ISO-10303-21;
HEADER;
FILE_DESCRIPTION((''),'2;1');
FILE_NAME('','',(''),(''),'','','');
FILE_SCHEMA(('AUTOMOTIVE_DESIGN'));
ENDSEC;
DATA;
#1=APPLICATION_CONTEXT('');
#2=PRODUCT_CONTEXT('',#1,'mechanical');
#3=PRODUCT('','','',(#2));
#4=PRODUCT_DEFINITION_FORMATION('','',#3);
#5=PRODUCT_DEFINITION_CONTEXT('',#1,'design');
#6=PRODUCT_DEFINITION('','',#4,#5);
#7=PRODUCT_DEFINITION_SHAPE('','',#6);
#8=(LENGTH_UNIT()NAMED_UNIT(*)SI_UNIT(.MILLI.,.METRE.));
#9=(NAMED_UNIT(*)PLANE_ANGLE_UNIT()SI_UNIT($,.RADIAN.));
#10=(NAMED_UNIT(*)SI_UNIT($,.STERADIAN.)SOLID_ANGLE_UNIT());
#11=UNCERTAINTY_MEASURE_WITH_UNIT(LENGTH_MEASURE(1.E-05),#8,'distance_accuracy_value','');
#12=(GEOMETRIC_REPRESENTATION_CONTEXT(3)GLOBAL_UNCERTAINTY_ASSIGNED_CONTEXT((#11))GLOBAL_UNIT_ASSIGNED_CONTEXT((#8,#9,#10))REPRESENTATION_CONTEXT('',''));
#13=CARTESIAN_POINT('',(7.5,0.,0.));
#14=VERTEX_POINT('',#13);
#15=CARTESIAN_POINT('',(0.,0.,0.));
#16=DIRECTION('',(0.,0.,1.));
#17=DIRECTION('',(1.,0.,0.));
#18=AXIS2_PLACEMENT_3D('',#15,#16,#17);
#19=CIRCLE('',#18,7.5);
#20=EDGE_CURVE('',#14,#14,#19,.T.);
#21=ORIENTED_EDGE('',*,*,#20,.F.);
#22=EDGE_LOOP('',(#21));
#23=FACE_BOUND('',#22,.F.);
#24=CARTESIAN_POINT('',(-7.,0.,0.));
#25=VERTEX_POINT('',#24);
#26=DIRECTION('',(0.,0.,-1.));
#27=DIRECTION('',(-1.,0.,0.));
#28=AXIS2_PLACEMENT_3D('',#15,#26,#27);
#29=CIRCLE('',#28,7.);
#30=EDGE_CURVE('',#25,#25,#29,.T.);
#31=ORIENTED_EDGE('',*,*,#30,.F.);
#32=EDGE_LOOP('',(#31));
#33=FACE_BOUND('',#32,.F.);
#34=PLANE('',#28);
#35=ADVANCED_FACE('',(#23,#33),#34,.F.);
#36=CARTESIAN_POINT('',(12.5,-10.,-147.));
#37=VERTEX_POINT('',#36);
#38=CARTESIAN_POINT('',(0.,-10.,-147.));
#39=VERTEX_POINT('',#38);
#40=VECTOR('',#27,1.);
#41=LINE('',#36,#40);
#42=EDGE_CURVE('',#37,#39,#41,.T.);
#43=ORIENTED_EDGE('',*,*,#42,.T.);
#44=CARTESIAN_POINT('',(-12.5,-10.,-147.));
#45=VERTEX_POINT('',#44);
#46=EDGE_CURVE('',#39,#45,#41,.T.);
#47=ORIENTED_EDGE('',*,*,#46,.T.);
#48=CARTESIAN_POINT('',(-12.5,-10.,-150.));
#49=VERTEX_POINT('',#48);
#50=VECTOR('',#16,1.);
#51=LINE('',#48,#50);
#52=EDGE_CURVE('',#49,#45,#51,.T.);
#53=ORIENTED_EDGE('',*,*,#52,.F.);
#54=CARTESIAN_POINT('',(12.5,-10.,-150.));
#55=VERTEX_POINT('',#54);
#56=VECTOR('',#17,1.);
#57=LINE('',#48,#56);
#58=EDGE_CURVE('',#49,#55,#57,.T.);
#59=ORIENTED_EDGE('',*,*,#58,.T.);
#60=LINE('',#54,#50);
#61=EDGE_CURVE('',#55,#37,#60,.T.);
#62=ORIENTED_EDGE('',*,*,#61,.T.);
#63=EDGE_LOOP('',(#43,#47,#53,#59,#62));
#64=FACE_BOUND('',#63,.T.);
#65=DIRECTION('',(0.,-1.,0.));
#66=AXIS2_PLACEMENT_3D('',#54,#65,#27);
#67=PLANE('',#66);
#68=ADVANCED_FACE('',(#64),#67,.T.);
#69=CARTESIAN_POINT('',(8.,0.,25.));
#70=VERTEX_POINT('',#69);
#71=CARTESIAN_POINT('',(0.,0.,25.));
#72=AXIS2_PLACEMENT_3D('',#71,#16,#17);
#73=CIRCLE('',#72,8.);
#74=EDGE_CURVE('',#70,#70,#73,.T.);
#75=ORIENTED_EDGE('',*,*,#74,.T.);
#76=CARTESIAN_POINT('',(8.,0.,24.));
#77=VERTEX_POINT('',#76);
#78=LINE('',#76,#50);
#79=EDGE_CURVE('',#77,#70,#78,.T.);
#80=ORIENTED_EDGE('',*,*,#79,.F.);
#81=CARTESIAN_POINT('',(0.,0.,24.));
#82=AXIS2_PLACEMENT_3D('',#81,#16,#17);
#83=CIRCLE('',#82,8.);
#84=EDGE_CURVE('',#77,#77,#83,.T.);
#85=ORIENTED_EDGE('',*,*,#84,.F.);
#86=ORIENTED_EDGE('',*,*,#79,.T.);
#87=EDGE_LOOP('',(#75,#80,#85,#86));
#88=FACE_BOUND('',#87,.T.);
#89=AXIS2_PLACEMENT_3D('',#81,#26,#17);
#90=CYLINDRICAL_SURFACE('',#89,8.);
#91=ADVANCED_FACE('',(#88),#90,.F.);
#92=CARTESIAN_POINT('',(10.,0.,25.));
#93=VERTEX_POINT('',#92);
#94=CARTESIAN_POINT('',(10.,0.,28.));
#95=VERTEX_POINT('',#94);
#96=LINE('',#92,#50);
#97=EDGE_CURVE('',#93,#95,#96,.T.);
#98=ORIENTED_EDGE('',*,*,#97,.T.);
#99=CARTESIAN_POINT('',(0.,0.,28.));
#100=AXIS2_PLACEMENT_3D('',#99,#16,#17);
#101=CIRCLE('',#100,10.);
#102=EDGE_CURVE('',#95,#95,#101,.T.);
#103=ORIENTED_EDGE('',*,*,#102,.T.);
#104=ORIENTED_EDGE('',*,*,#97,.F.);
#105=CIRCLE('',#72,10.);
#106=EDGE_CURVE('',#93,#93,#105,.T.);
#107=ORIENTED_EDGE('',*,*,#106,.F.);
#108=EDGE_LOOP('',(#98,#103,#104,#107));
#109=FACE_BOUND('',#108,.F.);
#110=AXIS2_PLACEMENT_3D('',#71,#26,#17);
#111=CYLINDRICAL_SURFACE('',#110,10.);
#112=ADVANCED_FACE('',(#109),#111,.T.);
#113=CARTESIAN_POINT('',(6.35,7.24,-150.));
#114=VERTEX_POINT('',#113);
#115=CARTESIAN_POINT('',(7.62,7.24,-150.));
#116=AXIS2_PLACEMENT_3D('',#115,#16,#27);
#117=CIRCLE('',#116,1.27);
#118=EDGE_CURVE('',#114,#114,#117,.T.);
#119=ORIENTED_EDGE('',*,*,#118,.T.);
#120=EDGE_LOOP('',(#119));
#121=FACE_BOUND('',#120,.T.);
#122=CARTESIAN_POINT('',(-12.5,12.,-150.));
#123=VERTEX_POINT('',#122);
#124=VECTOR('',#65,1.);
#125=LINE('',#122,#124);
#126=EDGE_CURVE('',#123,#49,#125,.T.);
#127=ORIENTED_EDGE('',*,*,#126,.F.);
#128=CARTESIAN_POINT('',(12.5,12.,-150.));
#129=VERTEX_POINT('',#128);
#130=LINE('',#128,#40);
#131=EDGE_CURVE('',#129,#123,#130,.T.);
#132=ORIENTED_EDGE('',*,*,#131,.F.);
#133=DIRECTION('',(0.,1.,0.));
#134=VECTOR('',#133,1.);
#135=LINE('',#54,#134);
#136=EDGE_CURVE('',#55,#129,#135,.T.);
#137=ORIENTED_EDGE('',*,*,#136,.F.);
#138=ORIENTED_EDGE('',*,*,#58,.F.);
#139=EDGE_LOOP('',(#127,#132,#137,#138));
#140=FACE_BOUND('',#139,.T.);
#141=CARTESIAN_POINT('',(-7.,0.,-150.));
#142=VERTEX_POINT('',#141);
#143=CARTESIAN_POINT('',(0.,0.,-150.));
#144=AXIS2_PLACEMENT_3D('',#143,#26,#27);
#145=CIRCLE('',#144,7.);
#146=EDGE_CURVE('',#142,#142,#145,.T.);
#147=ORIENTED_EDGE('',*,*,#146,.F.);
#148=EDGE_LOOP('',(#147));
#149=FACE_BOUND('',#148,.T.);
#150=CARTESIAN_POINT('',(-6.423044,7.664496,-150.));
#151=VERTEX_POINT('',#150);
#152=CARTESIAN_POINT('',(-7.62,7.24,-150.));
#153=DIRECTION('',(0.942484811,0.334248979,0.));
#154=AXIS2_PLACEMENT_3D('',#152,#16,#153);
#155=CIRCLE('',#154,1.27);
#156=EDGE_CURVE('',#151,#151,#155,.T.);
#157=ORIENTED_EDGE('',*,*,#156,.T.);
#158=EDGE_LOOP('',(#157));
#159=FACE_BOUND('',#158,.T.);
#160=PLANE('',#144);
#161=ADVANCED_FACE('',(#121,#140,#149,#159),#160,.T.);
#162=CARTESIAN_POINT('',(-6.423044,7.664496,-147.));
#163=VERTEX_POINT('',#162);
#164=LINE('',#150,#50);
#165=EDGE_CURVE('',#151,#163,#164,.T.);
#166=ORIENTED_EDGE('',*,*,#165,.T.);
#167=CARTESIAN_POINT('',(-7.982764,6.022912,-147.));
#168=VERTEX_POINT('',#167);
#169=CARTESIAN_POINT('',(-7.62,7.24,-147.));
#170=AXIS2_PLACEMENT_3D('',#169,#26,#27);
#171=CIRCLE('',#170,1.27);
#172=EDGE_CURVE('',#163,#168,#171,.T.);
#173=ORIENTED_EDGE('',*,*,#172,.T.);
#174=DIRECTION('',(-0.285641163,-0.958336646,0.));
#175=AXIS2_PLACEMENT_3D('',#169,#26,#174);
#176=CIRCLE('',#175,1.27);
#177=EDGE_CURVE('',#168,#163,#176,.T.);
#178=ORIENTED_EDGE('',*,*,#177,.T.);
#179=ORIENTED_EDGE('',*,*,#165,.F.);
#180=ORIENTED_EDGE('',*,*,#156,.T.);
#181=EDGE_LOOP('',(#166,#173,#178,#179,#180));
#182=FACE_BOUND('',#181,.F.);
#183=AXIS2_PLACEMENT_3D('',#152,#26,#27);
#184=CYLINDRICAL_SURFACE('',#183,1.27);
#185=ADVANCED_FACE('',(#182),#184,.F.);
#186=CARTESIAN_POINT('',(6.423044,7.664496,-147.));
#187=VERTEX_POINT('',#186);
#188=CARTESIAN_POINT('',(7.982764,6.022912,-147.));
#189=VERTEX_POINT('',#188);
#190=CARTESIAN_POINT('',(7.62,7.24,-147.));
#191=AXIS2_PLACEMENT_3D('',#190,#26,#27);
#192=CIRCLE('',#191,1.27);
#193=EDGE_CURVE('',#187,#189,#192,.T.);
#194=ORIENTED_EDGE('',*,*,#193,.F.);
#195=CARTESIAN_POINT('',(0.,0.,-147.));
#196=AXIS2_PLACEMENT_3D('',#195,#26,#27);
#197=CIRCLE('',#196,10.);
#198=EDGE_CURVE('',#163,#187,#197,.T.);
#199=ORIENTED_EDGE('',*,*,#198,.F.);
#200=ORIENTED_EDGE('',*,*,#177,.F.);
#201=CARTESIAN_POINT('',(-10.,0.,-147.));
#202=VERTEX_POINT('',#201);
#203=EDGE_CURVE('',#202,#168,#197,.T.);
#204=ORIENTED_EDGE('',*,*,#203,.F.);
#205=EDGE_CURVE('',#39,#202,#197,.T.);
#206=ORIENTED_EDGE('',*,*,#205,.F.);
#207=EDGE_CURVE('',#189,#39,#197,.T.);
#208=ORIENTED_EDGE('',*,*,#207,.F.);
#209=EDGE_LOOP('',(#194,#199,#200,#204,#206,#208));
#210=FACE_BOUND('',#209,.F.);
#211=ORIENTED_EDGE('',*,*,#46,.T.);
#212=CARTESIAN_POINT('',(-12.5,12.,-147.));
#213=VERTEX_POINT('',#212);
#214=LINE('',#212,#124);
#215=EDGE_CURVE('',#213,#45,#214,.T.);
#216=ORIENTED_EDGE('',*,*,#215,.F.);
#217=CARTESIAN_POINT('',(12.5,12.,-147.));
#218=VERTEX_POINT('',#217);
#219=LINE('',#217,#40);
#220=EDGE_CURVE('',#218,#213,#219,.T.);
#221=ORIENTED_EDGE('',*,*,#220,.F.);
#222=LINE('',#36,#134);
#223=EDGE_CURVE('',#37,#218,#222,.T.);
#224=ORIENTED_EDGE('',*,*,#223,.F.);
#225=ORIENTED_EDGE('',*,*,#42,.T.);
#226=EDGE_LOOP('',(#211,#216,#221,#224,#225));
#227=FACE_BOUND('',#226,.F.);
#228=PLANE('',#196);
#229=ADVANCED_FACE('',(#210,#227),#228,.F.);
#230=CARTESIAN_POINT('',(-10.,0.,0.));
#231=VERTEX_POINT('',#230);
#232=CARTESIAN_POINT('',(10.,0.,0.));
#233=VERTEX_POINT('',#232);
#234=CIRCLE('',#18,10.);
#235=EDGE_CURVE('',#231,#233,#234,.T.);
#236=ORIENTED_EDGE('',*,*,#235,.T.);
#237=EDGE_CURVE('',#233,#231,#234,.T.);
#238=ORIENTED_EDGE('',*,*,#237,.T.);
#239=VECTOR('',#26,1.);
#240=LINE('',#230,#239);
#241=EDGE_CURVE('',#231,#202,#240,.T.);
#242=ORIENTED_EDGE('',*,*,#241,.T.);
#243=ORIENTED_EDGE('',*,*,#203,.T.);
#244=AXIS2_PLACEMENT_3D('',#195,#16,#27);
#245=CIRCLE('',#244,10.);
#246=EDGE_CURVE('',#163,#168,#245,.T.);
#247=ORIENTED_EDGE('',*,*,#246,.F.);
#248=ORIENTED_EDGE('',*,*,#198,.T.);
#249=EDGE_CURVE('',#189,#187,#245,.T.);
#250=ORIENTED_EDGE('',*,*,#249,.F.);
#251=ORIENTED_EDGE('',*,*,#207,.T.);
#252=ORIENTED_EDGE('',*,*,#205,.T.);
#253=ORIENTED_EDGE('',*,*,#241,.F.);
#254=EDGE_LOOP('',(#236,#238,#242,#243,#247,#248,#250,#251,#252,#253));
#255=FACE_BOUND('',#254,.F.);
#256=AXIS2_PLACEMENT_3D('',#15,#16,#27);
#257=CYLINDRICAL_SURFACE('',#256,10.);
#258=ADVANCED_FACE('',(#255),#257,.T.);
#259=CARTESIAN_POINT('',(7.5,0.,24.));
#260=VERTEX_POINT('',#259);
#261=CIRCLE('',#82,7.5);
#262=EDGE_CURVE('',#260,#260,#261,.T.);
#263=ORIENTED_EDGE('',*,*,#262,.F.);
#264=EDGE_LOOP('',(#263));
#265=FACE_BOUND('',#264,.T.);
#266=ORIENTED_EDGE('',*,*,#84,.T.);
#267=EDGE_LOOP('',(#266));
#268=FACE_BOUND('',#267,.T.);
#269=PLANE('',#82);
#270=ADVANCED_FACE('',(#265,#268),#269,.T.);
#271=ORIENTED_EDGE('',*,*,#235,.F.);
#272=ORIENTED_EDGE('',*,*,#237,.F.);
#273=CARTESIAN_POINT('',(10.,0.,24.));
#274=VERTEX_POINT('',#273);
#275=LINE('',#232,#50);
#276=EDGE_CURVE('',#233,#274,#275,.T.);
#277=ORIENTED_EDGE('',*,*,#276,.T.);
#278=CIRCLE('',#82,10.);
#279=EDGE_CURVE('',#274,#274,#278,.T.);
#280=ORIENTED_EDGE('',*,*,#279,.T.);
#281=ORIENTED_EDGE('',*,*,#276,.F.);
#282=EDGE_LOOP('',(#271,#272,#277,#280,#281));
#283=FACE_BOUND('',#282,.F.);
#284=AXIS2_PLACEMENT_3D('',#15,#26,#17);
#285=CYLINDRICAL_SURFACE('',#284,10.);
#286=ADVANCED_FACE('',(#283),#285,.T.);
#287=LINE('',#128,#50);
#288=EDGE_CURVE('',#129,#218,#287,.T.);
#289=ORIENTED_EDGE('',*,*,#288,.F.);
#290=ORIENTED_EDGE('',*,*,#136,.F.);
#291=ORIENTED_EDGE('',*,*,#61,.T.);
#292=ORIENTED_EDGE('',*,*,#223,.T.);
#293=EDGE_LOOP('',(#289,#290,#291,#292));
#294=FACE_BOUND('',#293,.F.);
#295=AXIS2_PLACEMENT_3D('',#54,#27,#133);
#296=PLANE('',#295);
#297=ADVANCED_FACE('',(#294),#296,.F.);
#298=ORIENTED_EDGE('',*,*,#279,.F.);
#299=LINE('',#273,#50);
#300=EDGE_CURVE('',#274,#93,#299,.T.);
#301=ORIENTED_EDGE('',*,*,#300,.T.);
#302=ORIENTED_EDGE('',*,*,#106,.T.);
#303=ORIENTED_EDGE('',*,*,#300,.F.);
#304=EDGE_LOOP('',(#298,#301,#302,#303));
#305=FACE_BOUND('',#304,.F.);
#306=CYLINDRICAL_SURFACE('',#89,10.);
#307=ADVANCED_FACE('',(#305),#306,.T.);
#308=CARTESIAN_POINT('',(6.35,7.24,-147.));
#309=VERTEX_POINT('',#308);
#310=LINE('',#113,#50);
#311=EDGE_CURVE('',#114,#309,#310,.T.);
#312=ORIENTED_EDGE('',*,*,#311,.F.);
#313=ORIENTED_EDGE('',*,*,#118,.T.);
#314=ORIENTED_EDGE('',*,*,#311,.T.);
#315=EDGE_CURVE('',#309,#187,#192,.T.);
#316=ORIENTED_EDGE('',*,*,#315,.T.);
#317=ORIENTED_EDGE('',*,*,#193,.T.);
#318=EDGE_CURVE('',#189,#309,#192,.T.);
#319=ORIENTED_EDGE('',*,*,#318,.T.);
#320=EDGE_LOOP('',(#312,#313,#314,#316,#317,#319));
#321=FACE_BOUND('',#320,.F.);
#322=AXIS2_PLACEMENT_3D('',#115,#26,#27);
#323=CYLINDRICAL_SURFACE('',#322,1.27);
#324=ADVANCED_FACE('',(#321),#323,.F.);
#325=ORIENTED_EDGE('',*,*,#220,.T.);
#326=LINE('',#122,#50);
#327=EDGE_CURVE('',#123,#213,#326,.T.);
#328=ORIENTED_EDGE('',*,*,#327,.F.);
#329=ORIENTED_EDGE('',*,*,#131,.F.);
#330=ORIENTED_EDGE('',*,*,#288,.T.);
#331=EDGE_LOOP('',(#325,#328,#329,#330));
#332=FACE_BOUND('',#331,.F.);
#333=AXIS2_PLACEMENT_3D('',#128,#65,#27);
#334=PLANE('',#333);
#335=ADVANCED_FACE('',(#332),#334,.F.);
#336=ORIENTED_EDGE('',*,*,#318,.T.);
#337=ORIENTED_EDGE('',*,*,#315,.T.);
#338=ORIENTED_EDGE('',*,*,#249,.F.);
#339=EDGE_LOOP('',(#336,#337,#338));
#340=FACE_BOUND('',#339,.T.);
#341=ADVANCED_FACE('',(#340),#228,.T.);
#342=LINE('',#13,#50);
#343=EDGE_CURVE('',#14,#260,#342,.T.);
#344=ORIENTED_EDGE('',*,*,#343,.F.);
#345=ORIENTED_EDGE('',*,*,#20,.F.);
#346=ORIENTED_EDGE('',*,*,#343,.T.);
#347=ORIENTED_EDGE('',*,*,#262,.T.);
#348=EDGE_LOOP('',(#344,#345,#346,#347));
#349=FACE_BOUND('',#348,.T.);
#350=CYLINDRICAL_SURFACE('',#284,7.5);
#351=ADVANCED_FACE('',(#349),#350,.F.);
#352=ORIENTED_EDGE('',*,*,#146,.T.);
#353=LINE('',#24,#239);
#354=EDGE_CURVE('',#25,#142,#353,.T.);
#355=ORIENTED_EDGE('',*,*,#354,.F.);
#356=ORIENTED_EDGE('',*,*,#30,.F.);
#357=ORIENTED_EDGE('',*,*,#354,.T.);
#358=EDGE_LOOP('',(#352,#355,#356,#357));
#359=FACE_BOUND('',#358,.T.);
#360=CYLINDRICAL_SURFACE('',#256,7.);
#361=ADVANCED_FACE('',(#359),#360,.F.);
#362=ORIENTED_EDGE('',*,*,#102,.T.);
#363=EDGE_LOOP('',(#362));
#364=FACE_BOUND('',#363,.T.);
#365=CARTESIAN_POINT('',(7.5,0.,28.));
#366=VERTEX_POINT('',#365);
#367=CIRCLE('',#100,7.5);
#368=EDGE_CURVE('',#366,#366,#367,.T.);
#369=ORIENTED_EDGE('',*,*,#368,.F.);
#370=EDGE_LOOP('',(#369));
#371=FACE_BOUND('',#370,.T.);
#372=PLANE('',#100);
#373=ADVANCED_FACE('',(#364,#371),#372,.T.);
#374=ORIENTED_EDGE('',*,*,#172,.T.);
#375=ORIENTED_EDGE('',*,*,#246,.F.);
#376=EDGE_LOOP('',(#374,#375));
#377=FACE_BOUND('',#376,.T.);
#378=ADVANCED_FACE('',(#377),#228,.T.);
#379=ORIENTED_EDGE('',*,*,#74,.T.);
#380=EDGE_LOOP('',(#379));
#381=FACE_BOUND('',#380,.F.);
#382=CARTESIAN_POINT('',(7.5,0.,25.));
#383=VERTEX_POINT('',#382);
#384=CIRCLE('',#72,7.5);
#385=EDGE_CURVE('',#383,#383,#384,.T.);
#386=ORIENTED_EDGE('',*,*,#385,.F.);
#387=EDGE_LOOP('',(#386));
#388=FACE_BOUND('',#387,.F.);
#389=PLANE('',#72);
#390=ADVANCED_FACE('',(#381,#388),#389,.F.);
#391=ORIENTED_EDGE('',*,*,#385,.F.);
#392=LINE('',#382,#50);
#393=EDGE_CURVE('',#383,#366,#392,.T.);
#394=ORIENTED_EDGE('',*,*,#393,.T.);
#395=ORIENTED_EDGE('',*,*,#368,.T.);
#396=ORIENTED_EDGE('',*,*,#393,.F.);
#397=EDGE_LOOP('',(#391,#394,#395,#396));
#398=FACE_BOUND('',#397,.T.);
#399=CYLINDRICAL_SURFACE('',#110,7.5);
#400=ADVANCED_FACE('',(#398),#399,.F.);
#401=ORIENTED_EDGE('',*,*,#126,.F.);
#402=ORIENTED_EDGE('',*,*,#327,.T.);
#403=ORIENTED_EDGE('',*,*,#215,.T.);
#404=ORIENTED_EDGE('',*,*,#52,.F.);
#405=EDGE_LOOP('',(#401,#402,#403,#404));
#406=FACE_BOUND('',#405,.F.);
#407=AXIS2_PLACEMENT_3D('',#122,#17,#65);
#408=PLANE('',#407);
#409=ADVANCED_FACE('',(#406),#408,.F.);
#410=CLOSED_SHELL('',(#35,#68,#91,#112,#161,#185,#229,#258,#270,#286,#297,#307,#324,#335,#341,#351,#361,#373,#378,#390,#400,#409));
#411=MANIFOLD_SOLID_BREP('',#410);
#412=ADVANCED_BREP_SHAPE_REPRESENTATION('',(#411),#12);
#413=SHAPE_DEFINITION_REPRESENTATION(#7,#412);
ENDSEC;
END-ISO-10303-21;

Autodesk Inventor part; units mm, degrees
ref_plane "YZ Plane" through (0, 0, 0) normal (1, 0, 0) x (0, 1, 0)
ref_plane "XZ Plane" through (0, 0, 0) normal (0, 1, 0) x (-1, 0, 0)
ref_plane "XY Plane" through (0, 0, 0) normal (0, 0, 1) x (1, 0, 0)
sketch "Sketch1" plane through (0, 0, 0) normal (0, 0, 1) x (1, 0, 0)
  circle A0 centre (0, 0) radius 7.5
  circle A1 centre (0, 0) radius 10
  dimension "d0" = 15
  dimension "d1" = 20
extrude "Extrusion1" add sketch "Sketch1" along normal blind 24
sketch "Sketch2" plane through (0, 0, 0) normal (0, 0, -1) x (-1, 0, 0)
  circle A0 centre (0, 0) radius 7
  circle A1 centre (0, 0) radius 7.5 projected
  circle A2 centre (0, 0) radius 10 projected
  circle A3 centre (0, 0) radius 7.5 projected
  circle A4 centre (0, 0) radius 10 projected
  circle A5 centre (0, 0) radius 7.5 projected
  circle A6 centre (0, 0) radius 10 projected
  circle A7 centre (0, 0) radius 7.5 projected
  dimension "d4" = 14
extrude "Extrusion2" add sketch "Sketch2" along normal blind 150 contours A1 | A2
sketch "Sketch3" plane through (0, 0, 24) normal (0, 0, 1) x (1, 0, 0)
  circle A0 centre (0, 0) radius 10 projected
  circle A1 centre (0, 0) radius 7.5 projected
  circle A2 centre (0, 0) radius 8
  dimension "d7" = 0.5
extrude "Extrusion3" add sketch "Sketch3" along normal blind 1 contours A0
sketch "Sketch4" plane through (0, 0, 25) normal (0, 0, 1) x (1, 0, 0)
  circle A0 centre (0, 0) radius 10 projected
  circle A1 centre (0, 0) radius 7.5 projected
extrude "Extrusion4" add sketch "Sketch4" along normal blind 3
sketch "Sketch5" plane through (0, 0, -150) normal (0, 0, -1) x (-1, 0, 0)
  line L0 (-12.5, -10) -> (12.5, -10)
  circle A0 centre (0, 0) radius 10 projected
  line L1 (-12.5, -10) -> (-12.5, 12)
  line L2 (-12.5, 12) -> (12.5, 12)
  line L3 (12.5, 12) -> (12.5, -10)
  circle A1 centre (-7.62, 7.24) radius 1.27
  circle A2 centre (7.62, 7.24) radius 1.27
  line L4 (-7.62, 7.24) -> (7.62, 7.24) construction
  point P0 (0, 7.24)
  point P1 (0, -10)
  point P2 (0, -10)
  point P3 (-7.9828, 6.0229)
  point P4 (-6.423, 7.6645)
  point P5 (6.423, 7.6645)
  point P6 (7.9828, 6.0229)
  dimension "d12" = 25
  dimension "d13" = 22
  dimension "d14" = 15.24
  dimension "d15" = 17.24
  dimension "d16" = 2.54
extrude "Extrusion5" add sketch "Sketch5" against normal blind 3
extrude "Extrusion6" cut sketch "Sketch5" against normal blind 3 contours A1 A0 | A0 A1 | A2 A0 | A0 A2
